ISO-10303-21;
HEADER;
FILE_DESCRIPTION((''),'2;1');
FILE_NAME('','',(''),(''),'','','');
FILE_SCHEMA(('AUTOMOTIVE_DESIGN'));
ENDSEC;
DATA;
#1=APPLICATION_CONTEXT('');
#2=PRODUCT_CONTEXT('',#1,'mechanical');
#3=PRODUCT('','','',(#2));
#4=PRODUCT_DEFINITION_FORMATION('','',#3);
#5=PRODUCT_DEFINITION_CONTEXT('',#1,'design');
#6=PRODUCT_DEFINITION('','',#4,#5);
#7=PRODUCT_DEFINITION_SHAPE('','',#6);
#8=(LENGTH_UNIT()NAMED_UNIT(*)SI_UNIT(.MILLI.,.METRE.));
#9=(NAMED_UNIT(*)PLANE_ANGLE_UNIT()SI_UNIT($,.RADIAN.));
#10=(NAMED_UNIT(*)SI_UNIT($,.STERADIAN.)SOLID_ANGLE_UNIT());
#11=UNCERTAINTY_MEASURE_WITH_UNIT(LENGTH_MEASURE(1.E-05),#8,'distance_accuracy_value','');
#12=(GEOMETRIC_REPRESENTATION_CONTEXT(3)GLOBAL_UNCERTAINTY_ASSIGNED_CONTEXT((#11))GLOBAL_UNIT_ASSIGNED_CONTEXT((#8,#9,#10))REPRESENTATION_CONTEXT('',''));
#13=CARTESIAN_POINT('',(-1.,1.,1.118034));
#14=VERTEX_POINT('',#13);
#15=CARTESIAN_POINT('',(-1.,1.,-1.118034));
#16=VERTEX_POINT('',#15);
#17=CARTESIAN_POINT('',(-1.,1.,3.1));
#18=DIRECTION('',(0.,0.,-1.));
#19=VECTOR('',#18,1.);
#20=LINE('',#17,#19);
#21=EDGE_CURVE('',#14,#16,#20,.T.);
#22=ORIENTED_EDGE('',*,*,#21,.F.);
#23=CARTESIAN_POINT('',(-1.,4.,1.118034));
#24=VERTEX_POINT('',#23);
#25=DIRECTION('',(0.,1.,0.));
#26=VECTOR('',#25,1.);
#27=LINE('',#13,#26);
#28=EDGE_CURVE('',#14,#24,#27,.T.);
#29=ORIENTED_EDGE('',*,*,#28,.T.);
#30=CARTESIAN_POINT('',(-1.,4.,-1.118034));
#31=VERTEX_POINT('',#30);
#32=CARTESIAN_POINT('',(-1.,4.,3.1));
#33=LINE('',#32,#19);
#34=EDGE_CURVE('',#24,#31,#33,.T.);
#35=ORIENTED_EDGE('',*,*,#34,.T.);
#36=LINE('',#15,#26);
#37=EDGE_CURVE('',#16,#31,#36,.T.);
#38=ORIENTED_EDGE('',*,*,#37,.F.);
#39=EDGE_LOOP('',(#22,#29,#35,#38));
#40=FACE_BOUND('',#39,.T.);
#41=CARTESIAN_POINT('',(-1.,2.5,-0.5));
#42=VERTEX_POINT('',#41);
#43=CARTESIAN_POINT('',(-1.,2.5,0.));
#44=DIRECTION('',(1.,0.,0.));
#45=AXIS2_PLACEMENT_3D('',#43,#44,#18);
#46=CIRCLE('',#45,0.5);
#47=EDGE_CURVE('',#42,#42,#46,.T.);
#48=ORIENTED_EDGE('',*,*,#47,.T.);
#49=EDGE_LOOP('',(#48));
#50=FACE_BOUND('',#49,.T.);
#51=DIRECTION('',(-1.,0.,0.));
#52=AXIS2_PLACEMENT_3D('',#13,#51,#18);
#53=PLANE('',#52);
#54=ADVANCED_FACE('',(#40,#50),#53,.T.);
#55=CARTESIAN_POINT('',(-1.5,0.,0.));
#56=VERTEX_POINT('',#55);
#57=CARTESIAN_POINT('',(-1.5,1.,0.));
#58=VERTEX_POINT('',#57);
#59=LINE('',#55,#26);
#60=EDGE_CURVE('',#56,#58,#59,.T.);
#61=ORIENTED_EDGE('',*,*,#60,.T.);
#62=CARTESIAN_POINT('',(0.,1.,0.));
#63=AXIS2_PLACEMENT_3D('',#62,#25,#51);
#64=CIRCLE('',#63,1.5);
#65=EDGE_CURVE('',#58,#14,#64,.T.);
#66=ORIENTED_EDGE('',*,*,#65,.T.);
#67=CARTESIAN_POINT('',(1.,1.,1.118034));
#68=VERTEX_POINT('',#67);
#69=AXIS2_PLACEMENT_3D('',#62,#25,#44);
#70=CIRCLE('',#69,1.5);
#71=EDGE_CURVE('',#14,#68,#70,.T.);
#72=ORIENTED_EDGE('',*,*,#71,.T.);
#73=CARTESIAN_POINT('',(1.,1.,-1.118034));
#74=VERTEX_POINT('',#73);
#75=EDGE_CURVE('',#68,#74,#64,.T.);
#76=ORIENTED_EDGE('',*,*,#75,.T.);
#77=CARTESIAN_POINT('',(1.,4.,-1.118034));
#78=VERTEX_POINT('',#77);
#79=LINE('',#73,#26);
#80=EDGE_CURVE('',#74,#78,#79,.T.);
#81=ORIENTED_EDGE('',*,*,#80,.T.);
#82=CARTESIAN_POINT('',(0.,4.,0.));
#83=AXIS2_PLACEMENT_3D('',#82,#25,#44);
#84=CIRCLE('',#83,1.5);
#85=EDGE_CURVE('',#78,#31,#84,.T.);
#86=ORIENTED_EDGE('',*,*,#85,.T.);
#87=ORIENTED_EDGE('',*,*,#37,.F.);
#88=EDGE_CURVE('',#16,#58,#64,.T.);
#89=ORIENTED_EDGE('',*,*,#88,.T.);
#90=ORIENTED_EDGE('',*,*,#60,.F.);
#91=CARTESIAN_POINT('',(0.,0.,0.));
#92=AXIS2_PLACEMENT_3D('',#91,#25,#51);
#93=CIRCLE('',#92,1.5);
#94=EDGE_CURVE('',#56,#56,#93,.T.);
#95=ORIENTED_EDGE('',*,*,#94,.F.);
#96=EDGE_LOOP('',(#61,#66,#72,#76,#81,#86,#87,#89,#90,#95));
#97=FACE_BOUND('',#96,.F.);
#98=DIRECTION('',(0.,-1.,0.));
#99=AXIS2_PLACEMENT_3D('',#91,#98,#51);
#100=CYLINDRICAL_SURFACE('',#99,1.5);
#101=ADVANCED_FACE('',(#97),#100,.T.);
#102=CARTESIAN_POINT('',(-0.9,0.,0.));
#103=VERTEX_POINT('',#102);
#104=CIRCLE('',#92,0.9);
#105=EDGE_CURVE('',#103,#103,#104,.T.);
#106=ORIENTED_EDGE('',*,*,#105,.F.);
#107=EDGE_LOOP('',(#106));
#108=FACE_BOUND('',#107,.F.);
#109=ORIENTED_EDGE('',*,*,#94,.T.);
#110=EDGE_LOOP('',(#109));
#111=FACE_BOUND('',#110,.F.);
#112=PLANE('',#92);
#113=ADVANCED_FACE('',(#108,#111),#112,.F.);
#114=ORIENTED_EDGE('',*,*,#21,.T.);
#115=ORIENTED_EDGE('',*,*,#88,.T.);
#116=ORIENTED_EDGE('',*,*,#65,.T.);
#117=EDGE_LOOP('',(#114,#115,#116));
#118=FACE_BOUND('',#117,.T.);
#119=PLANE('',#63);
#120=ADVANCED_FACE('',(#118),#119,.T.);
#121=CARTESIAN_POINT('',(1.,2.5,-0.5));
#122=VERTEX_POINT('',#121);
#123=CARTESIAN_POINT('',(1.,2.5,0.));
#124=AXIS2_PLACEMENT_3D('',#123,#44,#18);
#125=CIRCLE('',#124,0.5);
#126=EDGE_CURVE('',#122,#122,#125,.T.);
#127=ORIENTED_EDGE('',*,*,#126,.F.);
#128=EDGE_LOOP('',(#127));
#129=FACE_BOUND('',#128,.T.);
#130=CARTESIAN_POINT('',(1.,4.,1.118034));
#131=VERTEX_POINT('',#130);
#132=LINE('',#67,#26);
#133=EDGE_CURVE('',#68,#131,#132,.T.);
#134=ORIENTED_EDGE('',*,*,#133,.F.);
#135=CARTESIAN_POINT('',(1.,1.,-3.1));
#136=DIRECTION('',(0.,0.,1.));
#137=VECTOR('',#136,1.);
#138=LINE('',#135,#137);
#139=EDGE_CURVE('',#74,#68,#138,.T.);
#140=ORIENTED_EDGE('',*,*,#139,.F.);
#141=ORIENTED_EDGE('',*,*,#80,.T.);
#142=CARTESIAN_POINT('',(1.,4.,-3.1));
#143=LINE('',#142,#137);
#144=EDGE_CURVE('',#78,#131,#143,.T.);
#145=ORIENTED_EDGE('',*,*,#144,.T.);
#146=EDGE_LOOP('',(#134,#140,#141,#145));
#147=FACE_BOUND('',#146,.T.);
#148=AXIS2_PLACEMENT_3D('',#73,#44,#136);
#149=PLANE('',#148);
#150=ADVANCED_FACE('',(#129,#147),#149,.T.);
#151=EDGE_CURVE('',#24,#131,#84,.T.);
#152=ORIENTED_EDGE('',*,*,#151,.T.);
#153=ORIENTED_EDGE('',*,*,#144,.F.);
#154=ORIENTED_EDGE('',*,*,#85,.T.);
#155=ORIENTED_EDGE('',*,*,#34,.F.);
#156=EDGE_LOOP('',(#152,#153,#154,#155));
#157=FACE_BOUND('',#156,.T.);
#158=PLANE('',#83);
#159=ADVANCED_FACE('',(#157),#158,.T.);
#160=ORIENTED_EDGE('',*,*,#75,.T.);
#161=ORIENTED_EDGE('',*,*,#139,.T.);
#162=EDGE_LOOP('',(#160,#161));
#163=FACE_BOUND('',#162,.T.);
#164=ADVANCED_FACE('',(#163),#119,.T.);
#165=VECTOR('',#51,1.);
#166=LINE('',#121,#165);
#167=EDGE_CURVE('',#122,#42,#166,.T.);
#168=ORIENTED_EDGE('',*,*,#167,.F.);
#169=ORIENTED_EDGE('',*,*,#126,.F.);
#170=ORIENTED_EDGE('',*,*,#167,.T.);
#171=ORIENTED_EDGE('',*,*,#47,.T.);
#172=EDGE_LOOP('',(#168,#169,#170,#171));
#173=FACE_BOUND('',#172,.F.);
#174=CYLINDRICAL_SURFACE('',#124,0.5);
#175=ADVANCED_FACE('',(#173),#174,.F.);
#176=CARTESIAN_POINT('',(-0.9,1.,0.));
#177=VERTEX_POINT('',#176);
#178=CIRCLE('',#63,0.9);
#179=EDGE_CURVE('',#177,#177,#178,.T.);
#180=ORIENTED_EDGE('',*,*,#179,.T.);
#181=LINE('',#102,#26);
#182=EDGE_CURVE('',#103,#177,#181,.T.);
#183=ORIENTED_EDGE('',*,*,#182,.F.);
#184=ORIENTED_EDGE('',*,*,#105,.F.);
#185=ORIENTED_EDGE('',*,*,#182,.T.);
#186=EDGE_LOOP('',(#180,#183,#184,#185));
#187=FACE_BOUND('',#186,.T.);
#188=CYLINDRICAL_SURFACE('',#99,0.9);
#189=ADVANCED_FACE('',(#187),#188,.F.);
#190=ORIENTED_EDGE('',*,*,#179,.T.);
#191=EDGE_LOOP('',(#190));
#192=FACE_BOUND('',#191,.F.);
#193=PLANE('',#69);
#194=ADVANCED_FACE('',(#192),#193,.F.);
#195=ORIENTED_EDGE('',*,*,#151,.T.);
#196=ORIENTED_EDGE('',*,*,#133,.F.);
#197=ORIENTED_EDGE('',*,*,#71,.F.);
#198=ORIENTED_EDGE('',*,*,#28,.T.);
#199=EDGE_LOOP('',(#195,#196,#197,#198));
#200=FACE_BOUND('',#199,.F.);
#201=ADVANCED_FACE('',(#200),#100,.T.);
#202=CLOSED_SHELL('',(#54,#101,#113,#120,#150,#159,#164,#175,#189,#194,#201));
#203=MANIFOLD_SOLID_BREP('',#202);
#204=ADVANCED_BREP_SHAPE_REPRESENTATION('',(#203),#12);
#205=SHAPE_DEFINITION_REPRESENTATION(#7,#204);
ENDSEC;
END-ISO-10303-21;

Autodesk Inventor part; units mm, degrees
ref_plane "YZ Plane" through (0, 0, 0) normal (1, 0, 0) x (0, 1, 0)
ref_plane "XZ Plane" through (0, 0, 0) normal (0, 1, 0) x (-1, 0, 0)
ref_plane "XY Plane" through (0, 0, 0) normal (0, 0, 1) x (1, 0, 0)
sketch "스케치2" plane through (0, 0, 0) normal (0, 1, 0) x (-1, 0, 0)
  circle A0 centre (0, 0) radius 1.5
  circle A1 centre (0, 0) radius 0.9
  dimension "d0" = 3
  dimension "d6" = 1.8
extrude "돌출1" add sketch "스케치2" along normal blind 1
sketch "스케치4" plane through (0, 1, 0) normal (0, 1, 0) x (1, 0, 0)
  line L0 (1, -3.1) -> (-1, -3.1)
  line L1 (-1, -3.1) -> (-1, 3.1)
  line L2 (-1, 3.1) -> (1, 3.1)
  line L3 (1, 3.1) -> (1, -3.1)
  line L4 (1, -3.1) -> (-1, 3.1) construction
  line L5 (-1, -3.1) -> (1, 3.1) construction
  circle A0 centre (0, 0) radius 1.5 projected
  point P0 (1, 1.118)
  point P1 (-1, 1.118)
  point P2 (-1, -1.118)
  point P3 (1, -1.118)
  dimension "d7" = 2
extrude "돌출5" add sketch "스케치4" along normal blind 3 contours A0 L1 L3
sketch "스케치6" plane through (1, 1, 1.118) normal (1, 0, 0) x (0, 0, -1)
  circle A0 centre (1.118, 1.5) radius 0.5
  line L0 (0, 3) -> (2.2361, 3) projected
  point P0 (1.118, -1)
  dimension "d22" = 1
  dimension "d23" = 1.5
extrude "돌출6" cut sketch "스케치6" along normal through all both and the other way through all
properties part number "anchor_end_3.0mm_new"
